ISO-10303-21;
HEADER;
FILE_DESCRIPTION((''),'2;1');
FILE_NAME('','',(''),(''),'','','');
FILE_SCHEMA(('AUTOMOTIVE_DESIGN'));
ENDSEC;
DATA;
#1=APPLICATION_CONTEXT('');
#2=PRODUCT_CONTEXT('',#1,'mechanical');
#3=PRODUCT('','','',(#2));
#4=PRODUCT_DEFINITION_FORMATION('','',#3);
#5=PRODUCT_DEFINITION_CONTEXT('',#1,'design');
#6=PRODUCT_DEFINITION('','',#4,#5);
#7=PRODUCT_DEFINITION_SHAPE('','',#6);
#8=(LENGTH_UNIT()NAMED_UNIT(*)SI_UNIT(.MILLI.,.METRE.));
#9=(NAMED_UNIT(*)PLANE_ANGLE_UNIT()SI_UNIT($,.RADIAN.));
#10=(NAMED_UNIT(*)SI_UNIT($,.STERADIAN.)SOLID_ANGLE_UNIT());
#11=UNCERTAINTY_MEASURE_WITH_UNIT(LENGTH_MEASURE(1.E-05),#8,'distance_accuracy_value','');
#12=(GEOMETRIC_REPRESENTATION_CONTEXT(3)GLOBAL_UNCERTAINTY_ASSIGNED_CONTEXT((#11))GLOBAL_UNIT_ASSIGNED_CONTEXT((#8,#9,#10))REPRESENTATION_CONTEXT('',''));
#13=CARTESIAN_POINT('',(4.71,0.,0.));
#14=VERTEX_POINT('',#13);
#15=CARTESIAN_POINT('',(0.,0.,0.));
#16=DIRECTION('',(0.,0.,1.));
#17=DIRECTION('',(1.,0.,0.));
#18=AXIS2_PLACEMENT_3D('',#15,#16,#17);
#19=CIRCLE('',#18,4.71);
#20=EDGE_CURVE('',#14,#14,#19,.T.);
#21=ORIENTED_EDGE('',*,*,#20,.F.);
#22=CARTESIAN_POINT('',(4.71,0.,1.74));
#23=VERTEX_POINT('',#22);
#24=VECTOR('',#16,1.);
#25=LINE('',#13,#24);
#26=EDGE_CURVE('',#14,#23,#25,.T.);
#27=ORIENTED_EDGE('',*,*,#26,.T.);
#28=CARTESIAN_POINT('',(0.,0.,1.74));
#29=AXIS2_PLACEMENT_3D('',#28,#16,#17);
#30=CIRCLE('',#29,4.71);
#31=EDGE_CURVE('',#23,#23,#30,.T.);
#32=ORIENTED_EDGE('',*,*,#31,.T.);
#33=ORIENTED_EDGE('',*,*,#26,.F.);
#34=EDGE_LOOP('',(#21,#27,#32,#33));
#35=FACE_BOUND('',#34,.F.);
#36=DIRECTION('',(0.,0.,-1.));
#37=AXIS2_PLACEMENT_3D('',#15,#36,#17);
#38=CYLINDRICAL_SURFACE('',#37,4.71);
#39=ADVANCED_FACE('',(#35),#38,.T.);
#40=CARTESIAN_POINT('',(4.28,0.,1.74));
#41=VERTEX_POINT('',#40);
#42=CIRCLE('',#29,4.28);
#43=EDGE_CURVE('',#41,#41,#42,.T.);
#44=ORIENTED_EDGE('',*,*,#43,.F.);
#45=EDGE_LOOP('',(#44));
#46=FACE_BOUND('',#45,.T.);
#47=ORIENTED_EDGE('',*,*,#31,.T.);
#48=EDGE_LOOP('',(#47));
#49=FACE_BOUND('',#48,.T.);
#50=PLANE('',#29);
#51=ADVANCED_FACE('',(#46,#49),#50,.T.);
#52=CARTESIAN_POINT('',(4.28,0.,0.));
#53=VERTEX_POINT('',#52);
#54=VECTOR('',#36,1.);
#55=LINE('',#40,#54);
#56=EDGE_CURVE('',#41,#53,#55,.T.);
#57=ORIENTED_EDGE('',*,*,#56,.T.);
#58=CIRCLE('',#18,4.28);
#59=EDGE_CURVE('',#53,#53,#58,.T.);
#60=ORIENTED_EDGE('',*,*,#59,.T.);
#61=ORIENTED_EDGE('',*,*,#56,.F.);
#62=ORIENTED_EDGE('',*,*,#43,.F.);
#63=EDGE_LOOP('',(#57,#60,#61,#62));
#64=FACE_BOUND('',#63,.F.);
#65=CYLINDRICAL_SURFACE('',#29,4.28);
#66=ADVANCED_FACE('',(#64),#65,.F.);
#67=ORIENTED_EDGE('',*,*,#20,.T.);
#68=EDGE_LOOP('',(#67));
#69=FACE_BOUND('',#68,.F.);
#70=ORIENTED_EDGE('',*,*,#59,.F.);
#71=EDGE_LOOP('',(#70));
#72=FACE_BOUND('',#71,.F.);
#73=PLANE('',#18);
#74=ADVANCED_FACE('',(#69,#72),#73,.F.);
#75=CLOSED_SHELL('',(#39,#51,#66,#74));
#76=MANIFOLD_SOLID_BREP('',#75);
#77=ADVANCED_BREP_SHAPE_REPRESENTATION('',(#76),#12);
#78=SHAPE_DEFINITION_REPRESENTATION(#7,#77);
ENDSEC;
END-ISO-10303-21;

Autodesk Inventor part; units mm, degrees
ref_plane "YZ Plane" through (0, 0, 0) normal (1, 0, 0) x (0, 1, 0)
ref_plane "XZ Plane" through (0, 0, 0) normal (0, 1, 0) x (-1, 0, 0)
ref_plane "XY Plane" through (0, 0, 0) normal (0, 0, 1) x (1, 0, 0)
sketch "Sketch1" plane through (0, 0, 0) normal (0, 0, 1) x (1, 0, 0)
  circle A0 centre (0, 0) radius 4.71
  dimension "d0" = 9.42
extrude "Extrusion1" add sketch "Sketch1" along normal blind 1.74
sketch "Sketch2" plane through (0, 0, 1.74) normal (0, 0, 1) x (1, 0, 0)
  point P0 (0, 0)
sketch "Sketch3" plane through (0, 0, 1.74) normal (0, 0, 1) x (1, 0, 0)
  circle A0 centre (0, 0) radius 4.28
  dimension "d3" = 8.56
extrude "Extrusion2" cut sketch "Sketch3" against normal through all
properties part number "MIRROR_E_2"
